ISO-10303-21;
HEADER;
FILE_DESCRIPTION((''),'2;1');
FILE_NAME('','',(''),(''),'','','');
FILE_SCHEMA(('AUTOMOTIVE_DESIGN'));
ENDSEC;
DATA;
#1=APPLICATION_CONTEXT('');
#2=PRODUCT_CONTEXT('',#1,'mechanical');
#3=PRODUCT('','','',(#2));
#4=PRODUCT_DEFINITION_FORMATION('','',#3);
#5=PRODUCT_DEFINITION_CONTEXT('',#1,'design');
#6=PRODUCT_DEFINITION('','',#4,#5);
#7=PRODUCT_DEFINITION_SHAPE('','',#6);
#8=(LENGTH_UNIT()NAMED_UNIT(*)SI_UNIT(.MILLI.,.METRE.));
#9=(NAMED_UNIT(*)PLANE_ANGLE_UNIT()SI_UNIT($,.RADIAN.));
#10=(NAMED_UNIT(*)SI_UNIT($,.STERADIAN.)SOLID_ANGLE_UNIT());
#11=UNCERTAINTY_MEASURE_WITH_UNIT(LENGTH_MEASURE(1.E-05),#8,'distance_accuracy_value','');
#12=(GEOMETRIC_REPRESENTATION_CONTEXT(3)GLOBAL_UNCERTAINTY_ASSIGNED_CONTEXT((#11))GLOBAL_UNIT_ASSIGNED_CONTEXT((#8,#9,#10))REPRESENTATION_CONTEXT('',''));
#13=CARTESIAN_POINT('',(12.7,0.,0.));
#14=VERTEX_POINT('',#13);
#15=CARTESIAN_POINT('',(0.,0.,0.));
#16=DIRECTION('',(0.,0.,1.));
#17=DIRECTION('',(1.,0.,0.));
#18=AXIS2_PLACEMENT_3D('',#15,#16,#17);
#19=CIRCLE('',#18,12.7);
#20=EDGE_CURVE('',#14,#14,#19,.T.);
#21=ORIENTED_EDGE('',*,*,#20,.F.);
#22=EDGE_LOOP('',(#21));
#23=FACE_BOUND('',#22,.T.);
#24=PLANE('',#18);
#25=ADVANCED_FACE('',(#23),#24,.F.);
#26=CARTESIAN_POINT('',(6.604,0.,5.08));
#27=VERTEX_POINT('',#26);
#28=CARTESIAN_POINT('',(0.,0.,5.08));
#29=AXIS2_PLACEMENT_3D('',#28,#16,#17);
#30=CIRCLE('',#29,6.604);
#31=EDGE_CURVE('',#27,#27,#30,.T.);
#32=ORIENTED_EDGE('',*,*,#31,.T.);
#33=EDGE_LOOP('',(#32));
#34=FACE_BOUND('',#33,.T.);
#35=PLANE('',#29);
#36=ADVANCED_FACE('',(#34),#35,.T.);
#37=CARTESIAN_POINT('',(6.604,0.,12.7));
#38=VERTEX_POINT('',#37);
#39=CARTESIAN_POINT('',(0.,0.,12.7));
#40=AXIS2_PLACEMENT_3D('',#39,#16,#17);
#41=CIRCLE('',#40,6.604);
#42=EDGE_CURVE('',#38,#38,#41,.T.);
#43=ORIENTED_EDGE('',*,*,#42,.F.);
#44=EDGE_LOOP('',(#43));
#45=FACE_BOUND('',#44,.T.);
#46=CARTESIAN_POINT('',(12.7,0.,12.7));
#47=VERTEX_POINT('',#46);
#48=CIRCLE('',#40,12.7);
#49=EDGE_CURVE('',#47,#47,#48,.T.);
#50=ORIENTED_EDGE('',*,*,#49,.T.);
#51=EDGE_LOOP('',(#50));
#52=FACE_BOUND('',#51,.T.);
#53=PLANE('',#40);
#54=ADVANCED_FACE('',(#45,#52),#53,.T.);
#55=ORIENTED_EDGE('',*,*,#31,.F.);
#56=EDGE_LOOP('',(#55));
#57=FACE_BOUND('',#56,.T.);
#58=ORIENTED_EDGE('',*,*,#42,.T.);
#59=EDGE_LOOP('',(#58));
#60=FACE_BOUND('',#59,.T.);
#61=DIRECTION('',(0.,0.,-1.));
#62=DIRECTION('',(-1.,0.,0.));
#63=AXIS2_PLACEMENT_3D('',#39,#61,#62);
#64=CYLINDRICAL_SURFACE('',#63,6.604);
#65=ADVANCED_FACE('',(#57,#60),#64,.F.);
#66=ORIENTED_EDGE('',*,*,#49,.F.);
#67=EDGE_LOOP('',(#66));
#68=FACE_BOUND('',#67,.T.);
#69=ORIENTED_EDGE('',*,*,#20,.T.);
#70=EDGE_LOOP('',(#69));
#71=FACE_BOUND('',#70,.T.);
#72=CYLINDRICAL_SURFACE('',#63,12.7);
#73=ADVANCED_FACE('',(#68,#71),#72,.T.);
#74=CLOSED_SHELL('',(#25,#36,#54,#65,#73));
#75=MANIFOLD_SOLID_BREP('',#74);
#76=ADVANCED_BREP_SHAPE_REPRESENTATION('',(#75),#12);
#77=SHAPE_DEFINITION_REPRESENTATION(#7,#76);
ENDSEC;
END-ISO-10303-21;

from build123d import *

# Parameters (mm, degrees)
SKETCH1_R           = 12.7
SKETCH1_R_2         = 6.604
BOSS_EXTRUDE1_DEPTH = 12.7
SKETCH1_2_R         = 6.604
BOSS_EXTRUDE2_DEPTH = 5.08


with BuildPart() as part:
    # Sketch1 → Boss-Extrude1 (new body)
    with BuildSketch(Plane.XY):
        Circle(SKETCH1_R)
        Circle(SKETCH1_R_2, mode=Mode.SUBTRACT)
    extrude(amount=BOSS_EXTRUDE1_DEPTH)

    # Sketch1<2> → Boss-Extrude2 (add)
    with BuildSketch(Plane.XY):
        Circle(SKETCH1_2_R)
    extrude(amount=BOSS_EXTRUDE2_DEPTH)


solid = part.part
